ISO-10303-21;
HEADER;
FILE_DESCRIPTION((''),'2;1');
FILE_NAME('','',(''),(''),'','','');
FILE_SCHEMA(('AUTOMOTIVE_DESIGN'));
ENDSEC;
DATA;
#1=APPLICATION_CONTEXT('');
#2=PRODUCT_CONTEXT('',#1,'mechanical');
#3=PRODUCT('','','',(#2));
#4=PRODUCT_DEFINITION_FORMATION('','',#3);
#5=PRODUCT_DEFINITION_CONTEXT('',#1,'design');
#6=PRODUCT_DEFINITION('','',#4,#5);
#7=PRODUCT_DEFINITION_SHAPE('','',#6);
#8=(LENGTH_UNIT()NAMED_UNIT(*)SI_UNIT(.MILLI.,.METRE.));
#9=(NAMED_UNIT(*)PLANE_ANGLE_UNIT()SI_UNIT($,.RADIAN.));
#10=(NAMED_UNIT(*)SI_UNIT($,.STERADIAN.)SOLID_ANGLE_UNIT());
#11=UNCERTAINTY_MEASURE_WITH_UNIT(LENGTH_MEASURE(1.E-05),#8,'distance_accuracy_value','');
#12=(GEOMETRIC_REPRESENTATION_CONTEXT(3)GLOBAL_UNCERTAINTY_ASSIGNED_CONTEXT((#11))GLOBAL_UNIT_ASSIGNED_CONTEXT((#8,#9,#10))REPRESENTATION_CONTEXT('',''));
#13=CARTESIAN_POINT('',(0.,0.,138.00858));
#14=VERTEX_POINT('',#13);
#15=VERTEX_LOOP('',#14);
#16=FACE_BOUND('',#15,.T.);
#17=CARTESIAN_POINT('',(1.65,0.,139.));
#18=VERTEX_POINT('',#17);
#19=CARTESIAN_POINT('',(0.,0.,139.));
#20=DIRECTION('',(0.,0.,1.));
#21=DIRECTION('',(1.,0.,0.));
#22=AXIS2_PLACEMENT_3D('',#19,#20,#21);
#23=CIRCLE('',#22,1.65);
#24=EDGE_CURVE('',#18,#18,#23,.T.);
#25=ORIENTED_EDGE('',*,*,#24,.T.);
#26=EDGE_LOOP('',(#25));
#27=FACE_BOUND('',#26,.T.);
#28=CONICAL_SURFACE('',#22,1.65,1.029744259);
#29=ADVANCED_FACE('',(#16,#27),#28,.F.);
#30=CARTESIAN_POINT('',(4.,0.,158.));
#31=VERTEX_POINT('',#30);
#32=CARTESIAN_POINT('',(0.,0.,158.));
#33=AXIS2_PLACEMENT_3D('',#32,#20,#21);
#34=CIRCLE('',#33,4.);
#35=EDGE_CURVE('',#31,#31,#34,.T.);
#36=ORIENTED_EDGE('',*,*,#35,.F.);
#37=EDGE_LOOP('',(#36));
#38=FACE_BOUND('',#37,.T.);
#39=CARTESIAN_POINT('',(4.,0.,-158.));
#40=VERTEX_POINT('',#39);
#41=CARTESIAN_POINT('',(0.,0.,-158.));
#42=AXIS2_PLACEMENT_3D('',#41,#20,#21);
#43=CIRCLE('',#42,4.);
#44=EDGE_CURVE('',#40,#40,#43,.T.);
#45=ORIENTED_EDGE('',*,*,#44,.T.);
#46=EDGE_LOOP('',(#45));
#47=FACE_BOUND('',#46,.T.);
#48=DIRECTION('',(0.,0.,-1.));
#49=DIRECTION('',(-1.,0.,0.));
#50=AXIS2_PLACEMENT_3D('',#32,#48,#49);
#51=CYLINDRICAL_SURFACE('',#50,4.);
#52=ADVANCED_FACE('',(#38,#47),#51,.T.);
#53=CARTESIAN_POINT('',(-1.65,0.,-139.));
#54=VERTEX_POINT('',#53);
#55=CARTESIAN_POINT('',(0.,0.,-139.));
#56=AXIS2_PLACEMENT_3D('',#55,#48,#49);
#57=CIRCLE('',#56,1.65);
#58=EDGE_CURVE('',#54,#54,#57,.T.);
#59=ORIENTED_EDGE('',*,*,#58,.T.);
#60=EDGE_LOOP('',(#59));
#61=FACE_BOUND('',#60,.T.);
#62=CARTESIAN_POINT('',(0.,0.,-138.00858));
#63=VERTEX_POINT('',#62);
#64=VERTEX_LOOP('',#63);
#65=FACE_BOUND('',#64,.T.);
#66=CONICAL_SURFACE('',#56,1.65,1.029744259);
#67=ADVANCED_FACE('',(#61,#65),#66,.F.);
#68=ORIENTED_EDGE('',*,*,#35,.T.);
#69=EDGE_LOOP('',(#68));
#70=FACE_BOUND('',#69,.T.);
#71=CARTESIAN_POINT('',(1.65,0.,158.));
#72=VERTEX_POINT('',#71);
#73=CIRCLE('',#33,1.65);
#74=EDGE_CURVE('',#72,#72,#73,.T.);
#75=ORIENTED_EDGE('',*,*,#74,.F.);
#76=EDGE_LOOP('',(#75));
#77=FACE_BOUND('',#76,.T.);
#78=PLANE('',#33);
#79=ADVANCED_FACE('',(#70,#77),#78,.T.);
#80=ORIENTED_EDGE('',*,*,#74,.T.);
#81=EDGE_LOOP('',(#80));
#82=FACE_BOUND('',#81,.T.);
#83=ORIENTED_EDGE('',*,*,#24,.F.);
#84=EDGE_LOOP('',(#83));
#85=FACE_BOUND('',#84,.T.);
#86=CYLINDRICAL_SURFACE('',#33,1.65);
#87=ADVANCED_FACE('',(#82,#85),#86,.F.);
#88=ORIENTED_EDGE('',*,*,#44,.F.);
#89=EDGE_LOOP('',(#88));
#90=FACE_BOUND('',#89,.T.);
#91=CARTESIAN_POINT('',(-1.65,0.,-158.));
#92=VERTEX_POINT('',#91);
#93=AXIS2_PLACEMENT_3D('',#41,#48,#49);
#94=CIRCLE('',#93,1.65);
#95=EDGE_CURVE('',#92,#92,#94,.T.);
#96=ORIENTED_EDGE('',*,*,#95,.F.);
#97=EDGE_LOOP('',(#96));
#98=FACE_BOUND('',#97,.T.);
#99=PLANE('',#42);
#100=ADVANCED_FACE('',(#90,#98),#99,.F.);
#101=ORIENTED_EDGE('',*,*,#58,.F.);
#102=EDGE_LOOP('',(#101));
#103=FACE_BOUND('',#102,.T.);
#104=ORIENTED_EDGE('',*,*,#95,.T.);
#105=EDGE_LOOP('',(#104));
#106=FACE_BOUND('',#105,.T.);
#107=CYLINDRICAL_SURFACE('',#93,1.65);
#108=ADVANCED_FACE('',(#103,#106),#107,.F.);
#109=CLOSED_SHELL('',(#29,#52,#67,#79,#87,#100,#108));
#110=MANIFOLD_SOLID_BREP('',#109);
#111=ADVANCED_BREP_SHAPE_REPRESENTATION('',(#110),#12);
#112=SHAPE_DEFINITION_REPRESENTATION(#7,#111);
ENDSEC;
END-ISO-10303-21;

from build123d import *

# Parameters (mm, degrees)
SKETCH_1_R      = 4
EXTRUDE_1_DEPTH = 158
M4X0_72_D       = 3.3
M4X0_72_DEPTH   = 19
M4X0_72_TIP     = 0.991420021
M4X0_71_D       = 3.3
M4X0_71_DEPTH   = 19
M4X0_71_TIP     = 0.991420021


with BuildPart() as part:
    # Эскиз1 → Бобышка-Вытянуть1 (new, symmetric)
    with BuildSketch(Plane.XY):
        Circle(SKETCH_1_R)
    extrude(amount=EXTRUDE_1_DEPTH, both=True)

    # Отверстие обработанное метчиком M4x0.72
    with Locations(Plane(origin=(0, 0, -158), x_dir=(-1, 0, 0), z_dir=(0, 0, -1))):
        with Locations((0, 0)):
            Hole(M4X0_72_D / 2, depth=M4X0_72_DEPTH)
            with Locations((0, 0, -(M4X0_72_DEPTH + M4X0_72_TIP / 2))):  # 118° drill point
                Cone(0, M4X0_72_D / 2, M4X0_72_TIP, mode=Mode.SUBTRACT)

    # Отверстие обработанное метчиком M4x0.71
    with Locations(Plane.XY.offset(158)):
        with Locations((0, 0)):
            Hole(M4X0_71_D / 2, depth=M4X0_71_DEPTH)
            with Locations((0, 0, -(M4X0_71_DEPTH + M4X0_71_TIP / 2))):  # 118° drill point
                Cone(0, M4X0_71_D / 2, M4X0_71_TIP, mode=Mode.SUBTRACT)


solid = part.part
